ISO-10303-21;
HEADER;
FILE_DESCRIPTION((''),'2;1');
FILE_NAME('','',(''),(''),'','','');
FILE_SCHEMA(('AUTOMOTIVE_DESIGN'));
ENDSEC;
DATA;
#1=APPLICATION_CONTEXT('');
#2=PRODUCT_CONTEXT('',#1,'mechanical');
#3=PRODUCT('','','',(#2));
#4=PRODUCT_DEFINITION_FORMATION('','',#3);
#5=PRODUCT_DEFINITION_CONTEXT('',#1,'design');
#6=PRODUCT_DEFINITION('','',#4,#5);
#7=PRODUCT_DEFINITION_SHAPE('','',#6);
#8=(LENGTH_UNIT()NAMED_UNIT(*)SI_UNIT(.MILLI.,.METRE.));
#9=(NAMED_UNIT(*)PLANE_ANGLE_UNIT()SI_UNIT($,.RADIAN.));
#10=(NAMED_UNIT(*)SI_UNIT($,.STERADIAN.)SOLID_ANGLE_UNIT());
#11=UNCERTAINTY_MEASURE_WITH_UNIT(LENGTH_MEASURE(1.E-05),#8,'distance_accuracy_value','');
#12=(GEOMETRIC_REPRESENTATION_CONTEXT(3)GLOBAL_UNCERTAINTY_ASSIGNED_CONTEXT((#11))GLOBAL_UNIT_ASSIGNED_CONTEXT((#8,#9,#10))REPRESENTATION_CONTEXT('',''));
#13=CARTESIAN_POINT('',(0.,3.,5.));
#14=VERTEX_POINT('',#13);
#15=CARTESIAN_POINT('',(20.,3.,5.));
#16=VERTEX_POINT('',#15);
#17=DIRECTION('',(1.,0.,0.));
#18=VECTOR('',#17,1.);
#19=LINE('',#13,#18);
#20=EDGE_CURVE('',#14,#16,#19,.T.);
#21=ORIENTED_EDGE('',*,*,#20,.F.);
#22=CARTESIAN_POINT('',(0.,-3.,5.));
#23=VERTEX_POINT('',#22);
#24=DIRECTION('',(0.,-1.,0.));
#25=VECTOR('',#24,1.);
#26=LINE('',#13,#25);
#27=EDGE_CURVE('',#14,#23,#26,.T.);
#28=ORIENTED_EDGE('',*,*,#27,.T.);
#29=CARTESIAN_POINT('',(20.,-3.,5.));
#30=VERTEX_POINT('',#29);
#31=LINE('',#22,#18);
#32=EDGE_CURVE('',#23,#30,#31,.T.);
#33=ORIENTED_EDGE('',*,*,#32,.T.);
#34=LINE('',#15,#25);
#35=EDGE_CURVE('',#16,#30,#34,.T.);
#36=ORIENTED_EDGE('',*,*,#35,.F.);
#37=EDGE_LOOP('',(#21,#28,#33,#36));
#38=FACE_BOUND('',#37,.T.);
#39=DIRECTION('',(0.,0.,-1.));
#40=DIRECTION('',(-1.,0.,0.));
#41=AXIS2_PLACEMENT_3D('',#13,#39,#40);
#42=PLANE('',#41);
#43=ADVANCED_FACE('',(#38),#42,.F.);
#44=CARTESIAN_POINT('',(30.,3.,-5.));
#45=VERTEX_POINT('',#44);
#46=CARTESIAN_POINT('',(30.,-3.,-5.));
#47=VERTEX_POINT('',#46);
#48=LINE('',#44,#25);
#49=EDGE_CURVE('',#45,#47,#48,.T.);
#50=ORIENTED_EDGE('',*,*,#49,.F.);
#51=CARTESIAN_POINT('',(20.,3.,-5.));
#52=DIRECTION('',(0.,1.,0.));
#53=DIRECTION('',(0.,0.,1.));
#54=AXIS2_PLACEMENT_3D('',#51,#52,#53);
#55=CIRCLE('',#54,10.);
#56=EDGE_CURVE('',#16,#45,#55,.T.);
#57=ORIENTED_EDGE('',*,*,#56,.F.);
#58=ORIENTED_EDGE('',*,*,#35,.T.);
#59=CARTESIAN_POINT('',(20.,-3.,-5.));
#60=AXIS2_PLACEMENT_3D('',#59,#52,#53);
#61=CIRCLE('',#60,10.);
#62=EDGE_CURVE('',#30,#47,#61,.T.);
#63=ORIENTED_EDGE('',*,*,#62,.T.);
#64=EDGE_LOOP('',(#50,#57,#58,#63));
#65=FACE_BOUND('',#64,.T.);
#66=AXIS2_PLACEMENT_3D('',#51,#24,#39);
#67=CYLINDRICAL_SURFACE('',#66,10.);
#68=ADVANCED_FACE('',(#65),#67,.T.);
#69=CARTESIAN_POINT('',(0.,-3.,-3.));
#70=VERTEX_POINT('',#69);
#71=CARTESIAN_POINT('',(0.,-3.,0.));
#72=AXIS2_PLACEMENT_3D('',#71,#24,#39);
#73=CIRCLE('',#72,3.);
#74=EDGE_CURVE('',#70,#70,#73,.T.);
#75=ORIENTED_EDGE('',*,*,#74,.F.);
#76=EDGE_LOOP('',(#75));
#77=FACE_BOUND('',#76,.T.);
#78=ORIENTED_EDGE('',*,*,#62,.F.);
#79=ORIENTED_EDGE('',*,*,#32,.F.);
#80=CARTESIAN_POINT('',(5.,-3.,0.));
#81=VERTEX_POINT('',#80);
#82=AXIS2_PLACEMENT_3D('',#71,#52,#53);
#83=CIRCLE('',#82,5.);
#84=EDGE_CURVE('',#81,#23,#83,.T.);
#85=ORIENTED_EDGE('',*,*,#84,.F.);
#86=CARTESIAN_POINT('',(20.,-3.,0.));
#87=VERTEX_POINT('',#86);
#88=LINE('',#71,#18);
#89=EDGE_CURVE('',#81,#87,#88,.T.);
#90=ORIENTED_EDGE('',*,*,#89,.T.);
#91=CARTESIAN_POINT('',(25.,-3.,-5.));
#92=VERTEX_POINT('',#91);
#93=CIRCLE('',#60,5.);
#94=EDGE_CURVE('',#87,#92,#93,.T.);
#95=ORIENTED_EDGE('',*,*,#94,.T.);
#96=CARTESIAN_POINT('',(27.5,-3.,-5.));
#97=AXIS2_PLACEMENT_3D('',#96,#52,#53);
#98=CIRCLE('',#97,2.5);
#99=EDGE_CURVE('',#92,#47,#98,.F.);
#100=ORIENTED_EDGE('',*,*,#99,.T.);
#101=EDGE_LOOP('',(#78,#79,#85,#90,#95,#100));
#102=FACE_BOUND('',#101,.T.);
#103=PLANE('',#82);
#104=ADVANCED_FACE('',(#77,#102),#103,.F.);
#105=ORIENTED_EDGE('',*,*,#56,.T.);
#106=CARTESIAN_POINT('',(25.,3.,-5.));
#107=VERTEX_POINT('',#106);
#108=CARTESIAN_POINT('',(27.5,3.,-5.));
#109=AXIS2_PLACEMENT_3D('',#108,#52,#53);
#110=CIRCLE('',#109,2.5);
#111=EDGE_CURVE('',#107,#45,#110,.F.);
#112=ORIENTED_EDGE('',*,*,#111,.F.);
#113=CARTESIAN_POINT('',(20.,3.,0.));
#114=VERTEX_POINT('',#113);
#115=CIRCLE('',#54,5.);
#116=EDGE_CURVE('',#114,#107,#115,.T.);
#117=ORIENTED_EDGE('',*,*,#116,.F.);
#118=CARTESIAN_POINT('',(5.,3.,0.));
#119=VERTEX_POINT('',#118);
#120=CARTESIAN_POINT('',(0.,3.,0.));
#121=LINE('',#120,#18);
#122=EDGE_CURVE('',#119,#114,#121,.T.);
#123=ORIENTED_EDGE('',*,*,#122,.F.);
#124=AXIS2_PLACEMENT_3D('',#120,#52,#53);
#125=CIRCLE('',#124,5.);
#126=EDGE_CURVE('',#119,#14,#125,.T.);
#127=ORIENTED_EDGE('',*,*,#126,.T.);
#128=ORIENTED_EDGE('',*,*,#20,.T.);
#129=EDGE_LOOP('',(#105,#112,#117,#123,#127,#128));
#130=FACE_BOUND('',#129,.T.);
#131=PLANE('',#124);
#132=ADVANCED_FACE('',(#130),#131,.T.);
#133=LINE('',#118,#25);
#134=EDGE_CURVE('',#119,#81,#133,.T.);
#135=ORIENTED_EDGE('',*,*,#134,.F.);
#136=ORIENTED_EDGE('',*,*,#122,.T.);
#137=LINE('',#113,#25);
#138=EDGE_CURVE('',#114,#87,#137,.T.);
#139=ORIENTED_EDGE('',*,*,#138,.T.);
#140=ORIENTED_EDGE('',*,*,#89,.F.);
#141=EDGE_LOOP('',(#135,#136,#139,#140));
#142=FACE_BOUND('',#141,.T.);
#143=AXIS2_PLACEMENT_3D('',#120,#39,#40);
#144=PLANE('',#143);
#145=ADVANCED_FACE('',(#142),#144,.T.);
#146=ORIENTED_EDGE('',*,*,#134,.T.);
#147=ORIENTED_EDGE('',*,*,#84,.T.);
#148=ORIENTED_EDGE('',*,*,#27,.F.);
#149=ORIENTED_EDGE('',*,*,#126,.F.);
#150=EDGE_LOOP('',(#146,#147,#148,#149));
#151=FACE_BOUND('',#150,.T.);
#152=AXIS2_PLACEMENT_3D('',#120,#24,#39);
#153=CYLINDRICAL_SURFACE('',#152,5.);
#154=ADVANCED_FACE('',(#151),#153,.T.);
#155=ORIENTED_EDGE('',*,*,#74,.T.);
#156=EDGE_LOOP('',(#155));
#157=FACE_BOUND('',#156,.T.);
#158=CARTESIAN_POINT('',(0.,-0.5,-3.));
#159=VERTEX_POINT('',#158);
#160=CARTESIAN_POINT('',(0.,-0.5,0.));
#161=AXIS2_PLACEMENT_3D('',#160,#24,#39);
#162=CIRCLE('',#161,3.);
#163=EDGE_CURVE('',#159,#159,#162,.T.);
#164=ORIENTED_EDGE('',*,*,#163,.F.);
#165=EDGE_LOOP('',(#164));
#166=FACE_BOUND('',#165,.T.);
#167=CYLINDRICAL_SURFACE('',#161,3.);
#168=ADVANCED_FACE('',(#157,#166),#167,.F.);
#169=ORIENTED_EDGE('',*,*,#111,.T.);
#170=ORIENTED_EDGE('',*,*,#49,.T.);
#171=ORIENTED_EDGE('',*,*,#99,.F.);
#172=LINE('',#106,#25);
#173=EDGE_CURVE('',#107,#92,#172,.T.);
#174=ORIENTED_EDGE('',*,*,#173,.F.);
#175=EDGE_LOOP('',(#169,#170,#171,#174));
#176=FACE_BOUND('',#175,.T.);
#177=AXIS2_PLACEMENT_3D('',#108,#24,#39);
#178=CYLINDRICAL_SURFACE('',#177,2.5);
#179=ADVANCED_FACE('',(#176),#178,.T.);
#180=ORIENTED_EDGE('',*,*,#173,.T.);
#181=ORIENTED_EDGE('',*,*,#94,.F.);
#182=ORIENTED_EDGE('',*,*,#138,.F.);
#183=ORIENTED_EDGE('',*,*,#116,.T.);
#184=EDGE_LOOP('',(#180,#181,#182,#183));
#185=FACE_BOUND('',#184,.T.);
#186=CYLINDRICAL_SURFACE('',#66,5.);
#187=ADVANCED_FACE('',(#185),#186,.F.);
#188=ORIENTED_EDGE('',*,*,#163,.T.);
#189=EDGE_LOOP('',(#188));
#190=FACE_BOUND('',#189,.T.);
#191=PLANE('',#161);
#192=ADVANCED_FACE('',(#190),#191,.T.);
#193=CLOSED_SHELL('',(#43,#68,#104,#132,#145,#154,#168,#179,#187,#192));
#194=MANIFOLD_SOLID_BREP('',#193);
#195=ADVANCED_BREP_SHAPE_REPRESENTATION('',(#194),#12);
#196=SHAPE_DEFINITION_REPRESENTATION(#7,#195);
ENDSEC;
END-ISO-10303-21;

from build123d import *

# Parameters (mm, degrees)
BOSS_EXTRUDE2_DEPTH = 3
SKETCH4_R           = 3
CUT_EXTRUDE2_DEPTH  = 2.5


with BuildPart() as part:
    # Sketch1 → Boss-Extrude2 (new body, symmetric)
    with BuildSketch(Plane(origin=(0, 0, 0), x_dir=(1, 0, 0), z_dir=(0, 1, 0))):
        with BuildLine():
            ThreePointArc((5, 0), (-3.535533906, 3.535533906), (0, -5))
            Line((0, -5), (20, -5))
            ThreePointArc((20, -5), (27.071067812, -2.071067812), (30, 5))
            ThreePointArc((30, 5), (27.5, 7.5), (25, 5))
            ThreePointArc((25, 5), (23.535533906, 1.464466094), (20, 0))
            Line((20, 0), (5, 0))
        make_face()
    extrude(amount=BOSS_EXTRUDE2_DEPTH, both=True)

    # Sketch4 → Cut-Extrude2 (cut)
    with BuildSketch(Plane.XZ.offset(3)):
        Circle(SKETCH4_R)
    extrude(amount=-CUT_EXTRUDE2_DEPTH, mode=Mode.SUBTRACT)


solid = part.part
